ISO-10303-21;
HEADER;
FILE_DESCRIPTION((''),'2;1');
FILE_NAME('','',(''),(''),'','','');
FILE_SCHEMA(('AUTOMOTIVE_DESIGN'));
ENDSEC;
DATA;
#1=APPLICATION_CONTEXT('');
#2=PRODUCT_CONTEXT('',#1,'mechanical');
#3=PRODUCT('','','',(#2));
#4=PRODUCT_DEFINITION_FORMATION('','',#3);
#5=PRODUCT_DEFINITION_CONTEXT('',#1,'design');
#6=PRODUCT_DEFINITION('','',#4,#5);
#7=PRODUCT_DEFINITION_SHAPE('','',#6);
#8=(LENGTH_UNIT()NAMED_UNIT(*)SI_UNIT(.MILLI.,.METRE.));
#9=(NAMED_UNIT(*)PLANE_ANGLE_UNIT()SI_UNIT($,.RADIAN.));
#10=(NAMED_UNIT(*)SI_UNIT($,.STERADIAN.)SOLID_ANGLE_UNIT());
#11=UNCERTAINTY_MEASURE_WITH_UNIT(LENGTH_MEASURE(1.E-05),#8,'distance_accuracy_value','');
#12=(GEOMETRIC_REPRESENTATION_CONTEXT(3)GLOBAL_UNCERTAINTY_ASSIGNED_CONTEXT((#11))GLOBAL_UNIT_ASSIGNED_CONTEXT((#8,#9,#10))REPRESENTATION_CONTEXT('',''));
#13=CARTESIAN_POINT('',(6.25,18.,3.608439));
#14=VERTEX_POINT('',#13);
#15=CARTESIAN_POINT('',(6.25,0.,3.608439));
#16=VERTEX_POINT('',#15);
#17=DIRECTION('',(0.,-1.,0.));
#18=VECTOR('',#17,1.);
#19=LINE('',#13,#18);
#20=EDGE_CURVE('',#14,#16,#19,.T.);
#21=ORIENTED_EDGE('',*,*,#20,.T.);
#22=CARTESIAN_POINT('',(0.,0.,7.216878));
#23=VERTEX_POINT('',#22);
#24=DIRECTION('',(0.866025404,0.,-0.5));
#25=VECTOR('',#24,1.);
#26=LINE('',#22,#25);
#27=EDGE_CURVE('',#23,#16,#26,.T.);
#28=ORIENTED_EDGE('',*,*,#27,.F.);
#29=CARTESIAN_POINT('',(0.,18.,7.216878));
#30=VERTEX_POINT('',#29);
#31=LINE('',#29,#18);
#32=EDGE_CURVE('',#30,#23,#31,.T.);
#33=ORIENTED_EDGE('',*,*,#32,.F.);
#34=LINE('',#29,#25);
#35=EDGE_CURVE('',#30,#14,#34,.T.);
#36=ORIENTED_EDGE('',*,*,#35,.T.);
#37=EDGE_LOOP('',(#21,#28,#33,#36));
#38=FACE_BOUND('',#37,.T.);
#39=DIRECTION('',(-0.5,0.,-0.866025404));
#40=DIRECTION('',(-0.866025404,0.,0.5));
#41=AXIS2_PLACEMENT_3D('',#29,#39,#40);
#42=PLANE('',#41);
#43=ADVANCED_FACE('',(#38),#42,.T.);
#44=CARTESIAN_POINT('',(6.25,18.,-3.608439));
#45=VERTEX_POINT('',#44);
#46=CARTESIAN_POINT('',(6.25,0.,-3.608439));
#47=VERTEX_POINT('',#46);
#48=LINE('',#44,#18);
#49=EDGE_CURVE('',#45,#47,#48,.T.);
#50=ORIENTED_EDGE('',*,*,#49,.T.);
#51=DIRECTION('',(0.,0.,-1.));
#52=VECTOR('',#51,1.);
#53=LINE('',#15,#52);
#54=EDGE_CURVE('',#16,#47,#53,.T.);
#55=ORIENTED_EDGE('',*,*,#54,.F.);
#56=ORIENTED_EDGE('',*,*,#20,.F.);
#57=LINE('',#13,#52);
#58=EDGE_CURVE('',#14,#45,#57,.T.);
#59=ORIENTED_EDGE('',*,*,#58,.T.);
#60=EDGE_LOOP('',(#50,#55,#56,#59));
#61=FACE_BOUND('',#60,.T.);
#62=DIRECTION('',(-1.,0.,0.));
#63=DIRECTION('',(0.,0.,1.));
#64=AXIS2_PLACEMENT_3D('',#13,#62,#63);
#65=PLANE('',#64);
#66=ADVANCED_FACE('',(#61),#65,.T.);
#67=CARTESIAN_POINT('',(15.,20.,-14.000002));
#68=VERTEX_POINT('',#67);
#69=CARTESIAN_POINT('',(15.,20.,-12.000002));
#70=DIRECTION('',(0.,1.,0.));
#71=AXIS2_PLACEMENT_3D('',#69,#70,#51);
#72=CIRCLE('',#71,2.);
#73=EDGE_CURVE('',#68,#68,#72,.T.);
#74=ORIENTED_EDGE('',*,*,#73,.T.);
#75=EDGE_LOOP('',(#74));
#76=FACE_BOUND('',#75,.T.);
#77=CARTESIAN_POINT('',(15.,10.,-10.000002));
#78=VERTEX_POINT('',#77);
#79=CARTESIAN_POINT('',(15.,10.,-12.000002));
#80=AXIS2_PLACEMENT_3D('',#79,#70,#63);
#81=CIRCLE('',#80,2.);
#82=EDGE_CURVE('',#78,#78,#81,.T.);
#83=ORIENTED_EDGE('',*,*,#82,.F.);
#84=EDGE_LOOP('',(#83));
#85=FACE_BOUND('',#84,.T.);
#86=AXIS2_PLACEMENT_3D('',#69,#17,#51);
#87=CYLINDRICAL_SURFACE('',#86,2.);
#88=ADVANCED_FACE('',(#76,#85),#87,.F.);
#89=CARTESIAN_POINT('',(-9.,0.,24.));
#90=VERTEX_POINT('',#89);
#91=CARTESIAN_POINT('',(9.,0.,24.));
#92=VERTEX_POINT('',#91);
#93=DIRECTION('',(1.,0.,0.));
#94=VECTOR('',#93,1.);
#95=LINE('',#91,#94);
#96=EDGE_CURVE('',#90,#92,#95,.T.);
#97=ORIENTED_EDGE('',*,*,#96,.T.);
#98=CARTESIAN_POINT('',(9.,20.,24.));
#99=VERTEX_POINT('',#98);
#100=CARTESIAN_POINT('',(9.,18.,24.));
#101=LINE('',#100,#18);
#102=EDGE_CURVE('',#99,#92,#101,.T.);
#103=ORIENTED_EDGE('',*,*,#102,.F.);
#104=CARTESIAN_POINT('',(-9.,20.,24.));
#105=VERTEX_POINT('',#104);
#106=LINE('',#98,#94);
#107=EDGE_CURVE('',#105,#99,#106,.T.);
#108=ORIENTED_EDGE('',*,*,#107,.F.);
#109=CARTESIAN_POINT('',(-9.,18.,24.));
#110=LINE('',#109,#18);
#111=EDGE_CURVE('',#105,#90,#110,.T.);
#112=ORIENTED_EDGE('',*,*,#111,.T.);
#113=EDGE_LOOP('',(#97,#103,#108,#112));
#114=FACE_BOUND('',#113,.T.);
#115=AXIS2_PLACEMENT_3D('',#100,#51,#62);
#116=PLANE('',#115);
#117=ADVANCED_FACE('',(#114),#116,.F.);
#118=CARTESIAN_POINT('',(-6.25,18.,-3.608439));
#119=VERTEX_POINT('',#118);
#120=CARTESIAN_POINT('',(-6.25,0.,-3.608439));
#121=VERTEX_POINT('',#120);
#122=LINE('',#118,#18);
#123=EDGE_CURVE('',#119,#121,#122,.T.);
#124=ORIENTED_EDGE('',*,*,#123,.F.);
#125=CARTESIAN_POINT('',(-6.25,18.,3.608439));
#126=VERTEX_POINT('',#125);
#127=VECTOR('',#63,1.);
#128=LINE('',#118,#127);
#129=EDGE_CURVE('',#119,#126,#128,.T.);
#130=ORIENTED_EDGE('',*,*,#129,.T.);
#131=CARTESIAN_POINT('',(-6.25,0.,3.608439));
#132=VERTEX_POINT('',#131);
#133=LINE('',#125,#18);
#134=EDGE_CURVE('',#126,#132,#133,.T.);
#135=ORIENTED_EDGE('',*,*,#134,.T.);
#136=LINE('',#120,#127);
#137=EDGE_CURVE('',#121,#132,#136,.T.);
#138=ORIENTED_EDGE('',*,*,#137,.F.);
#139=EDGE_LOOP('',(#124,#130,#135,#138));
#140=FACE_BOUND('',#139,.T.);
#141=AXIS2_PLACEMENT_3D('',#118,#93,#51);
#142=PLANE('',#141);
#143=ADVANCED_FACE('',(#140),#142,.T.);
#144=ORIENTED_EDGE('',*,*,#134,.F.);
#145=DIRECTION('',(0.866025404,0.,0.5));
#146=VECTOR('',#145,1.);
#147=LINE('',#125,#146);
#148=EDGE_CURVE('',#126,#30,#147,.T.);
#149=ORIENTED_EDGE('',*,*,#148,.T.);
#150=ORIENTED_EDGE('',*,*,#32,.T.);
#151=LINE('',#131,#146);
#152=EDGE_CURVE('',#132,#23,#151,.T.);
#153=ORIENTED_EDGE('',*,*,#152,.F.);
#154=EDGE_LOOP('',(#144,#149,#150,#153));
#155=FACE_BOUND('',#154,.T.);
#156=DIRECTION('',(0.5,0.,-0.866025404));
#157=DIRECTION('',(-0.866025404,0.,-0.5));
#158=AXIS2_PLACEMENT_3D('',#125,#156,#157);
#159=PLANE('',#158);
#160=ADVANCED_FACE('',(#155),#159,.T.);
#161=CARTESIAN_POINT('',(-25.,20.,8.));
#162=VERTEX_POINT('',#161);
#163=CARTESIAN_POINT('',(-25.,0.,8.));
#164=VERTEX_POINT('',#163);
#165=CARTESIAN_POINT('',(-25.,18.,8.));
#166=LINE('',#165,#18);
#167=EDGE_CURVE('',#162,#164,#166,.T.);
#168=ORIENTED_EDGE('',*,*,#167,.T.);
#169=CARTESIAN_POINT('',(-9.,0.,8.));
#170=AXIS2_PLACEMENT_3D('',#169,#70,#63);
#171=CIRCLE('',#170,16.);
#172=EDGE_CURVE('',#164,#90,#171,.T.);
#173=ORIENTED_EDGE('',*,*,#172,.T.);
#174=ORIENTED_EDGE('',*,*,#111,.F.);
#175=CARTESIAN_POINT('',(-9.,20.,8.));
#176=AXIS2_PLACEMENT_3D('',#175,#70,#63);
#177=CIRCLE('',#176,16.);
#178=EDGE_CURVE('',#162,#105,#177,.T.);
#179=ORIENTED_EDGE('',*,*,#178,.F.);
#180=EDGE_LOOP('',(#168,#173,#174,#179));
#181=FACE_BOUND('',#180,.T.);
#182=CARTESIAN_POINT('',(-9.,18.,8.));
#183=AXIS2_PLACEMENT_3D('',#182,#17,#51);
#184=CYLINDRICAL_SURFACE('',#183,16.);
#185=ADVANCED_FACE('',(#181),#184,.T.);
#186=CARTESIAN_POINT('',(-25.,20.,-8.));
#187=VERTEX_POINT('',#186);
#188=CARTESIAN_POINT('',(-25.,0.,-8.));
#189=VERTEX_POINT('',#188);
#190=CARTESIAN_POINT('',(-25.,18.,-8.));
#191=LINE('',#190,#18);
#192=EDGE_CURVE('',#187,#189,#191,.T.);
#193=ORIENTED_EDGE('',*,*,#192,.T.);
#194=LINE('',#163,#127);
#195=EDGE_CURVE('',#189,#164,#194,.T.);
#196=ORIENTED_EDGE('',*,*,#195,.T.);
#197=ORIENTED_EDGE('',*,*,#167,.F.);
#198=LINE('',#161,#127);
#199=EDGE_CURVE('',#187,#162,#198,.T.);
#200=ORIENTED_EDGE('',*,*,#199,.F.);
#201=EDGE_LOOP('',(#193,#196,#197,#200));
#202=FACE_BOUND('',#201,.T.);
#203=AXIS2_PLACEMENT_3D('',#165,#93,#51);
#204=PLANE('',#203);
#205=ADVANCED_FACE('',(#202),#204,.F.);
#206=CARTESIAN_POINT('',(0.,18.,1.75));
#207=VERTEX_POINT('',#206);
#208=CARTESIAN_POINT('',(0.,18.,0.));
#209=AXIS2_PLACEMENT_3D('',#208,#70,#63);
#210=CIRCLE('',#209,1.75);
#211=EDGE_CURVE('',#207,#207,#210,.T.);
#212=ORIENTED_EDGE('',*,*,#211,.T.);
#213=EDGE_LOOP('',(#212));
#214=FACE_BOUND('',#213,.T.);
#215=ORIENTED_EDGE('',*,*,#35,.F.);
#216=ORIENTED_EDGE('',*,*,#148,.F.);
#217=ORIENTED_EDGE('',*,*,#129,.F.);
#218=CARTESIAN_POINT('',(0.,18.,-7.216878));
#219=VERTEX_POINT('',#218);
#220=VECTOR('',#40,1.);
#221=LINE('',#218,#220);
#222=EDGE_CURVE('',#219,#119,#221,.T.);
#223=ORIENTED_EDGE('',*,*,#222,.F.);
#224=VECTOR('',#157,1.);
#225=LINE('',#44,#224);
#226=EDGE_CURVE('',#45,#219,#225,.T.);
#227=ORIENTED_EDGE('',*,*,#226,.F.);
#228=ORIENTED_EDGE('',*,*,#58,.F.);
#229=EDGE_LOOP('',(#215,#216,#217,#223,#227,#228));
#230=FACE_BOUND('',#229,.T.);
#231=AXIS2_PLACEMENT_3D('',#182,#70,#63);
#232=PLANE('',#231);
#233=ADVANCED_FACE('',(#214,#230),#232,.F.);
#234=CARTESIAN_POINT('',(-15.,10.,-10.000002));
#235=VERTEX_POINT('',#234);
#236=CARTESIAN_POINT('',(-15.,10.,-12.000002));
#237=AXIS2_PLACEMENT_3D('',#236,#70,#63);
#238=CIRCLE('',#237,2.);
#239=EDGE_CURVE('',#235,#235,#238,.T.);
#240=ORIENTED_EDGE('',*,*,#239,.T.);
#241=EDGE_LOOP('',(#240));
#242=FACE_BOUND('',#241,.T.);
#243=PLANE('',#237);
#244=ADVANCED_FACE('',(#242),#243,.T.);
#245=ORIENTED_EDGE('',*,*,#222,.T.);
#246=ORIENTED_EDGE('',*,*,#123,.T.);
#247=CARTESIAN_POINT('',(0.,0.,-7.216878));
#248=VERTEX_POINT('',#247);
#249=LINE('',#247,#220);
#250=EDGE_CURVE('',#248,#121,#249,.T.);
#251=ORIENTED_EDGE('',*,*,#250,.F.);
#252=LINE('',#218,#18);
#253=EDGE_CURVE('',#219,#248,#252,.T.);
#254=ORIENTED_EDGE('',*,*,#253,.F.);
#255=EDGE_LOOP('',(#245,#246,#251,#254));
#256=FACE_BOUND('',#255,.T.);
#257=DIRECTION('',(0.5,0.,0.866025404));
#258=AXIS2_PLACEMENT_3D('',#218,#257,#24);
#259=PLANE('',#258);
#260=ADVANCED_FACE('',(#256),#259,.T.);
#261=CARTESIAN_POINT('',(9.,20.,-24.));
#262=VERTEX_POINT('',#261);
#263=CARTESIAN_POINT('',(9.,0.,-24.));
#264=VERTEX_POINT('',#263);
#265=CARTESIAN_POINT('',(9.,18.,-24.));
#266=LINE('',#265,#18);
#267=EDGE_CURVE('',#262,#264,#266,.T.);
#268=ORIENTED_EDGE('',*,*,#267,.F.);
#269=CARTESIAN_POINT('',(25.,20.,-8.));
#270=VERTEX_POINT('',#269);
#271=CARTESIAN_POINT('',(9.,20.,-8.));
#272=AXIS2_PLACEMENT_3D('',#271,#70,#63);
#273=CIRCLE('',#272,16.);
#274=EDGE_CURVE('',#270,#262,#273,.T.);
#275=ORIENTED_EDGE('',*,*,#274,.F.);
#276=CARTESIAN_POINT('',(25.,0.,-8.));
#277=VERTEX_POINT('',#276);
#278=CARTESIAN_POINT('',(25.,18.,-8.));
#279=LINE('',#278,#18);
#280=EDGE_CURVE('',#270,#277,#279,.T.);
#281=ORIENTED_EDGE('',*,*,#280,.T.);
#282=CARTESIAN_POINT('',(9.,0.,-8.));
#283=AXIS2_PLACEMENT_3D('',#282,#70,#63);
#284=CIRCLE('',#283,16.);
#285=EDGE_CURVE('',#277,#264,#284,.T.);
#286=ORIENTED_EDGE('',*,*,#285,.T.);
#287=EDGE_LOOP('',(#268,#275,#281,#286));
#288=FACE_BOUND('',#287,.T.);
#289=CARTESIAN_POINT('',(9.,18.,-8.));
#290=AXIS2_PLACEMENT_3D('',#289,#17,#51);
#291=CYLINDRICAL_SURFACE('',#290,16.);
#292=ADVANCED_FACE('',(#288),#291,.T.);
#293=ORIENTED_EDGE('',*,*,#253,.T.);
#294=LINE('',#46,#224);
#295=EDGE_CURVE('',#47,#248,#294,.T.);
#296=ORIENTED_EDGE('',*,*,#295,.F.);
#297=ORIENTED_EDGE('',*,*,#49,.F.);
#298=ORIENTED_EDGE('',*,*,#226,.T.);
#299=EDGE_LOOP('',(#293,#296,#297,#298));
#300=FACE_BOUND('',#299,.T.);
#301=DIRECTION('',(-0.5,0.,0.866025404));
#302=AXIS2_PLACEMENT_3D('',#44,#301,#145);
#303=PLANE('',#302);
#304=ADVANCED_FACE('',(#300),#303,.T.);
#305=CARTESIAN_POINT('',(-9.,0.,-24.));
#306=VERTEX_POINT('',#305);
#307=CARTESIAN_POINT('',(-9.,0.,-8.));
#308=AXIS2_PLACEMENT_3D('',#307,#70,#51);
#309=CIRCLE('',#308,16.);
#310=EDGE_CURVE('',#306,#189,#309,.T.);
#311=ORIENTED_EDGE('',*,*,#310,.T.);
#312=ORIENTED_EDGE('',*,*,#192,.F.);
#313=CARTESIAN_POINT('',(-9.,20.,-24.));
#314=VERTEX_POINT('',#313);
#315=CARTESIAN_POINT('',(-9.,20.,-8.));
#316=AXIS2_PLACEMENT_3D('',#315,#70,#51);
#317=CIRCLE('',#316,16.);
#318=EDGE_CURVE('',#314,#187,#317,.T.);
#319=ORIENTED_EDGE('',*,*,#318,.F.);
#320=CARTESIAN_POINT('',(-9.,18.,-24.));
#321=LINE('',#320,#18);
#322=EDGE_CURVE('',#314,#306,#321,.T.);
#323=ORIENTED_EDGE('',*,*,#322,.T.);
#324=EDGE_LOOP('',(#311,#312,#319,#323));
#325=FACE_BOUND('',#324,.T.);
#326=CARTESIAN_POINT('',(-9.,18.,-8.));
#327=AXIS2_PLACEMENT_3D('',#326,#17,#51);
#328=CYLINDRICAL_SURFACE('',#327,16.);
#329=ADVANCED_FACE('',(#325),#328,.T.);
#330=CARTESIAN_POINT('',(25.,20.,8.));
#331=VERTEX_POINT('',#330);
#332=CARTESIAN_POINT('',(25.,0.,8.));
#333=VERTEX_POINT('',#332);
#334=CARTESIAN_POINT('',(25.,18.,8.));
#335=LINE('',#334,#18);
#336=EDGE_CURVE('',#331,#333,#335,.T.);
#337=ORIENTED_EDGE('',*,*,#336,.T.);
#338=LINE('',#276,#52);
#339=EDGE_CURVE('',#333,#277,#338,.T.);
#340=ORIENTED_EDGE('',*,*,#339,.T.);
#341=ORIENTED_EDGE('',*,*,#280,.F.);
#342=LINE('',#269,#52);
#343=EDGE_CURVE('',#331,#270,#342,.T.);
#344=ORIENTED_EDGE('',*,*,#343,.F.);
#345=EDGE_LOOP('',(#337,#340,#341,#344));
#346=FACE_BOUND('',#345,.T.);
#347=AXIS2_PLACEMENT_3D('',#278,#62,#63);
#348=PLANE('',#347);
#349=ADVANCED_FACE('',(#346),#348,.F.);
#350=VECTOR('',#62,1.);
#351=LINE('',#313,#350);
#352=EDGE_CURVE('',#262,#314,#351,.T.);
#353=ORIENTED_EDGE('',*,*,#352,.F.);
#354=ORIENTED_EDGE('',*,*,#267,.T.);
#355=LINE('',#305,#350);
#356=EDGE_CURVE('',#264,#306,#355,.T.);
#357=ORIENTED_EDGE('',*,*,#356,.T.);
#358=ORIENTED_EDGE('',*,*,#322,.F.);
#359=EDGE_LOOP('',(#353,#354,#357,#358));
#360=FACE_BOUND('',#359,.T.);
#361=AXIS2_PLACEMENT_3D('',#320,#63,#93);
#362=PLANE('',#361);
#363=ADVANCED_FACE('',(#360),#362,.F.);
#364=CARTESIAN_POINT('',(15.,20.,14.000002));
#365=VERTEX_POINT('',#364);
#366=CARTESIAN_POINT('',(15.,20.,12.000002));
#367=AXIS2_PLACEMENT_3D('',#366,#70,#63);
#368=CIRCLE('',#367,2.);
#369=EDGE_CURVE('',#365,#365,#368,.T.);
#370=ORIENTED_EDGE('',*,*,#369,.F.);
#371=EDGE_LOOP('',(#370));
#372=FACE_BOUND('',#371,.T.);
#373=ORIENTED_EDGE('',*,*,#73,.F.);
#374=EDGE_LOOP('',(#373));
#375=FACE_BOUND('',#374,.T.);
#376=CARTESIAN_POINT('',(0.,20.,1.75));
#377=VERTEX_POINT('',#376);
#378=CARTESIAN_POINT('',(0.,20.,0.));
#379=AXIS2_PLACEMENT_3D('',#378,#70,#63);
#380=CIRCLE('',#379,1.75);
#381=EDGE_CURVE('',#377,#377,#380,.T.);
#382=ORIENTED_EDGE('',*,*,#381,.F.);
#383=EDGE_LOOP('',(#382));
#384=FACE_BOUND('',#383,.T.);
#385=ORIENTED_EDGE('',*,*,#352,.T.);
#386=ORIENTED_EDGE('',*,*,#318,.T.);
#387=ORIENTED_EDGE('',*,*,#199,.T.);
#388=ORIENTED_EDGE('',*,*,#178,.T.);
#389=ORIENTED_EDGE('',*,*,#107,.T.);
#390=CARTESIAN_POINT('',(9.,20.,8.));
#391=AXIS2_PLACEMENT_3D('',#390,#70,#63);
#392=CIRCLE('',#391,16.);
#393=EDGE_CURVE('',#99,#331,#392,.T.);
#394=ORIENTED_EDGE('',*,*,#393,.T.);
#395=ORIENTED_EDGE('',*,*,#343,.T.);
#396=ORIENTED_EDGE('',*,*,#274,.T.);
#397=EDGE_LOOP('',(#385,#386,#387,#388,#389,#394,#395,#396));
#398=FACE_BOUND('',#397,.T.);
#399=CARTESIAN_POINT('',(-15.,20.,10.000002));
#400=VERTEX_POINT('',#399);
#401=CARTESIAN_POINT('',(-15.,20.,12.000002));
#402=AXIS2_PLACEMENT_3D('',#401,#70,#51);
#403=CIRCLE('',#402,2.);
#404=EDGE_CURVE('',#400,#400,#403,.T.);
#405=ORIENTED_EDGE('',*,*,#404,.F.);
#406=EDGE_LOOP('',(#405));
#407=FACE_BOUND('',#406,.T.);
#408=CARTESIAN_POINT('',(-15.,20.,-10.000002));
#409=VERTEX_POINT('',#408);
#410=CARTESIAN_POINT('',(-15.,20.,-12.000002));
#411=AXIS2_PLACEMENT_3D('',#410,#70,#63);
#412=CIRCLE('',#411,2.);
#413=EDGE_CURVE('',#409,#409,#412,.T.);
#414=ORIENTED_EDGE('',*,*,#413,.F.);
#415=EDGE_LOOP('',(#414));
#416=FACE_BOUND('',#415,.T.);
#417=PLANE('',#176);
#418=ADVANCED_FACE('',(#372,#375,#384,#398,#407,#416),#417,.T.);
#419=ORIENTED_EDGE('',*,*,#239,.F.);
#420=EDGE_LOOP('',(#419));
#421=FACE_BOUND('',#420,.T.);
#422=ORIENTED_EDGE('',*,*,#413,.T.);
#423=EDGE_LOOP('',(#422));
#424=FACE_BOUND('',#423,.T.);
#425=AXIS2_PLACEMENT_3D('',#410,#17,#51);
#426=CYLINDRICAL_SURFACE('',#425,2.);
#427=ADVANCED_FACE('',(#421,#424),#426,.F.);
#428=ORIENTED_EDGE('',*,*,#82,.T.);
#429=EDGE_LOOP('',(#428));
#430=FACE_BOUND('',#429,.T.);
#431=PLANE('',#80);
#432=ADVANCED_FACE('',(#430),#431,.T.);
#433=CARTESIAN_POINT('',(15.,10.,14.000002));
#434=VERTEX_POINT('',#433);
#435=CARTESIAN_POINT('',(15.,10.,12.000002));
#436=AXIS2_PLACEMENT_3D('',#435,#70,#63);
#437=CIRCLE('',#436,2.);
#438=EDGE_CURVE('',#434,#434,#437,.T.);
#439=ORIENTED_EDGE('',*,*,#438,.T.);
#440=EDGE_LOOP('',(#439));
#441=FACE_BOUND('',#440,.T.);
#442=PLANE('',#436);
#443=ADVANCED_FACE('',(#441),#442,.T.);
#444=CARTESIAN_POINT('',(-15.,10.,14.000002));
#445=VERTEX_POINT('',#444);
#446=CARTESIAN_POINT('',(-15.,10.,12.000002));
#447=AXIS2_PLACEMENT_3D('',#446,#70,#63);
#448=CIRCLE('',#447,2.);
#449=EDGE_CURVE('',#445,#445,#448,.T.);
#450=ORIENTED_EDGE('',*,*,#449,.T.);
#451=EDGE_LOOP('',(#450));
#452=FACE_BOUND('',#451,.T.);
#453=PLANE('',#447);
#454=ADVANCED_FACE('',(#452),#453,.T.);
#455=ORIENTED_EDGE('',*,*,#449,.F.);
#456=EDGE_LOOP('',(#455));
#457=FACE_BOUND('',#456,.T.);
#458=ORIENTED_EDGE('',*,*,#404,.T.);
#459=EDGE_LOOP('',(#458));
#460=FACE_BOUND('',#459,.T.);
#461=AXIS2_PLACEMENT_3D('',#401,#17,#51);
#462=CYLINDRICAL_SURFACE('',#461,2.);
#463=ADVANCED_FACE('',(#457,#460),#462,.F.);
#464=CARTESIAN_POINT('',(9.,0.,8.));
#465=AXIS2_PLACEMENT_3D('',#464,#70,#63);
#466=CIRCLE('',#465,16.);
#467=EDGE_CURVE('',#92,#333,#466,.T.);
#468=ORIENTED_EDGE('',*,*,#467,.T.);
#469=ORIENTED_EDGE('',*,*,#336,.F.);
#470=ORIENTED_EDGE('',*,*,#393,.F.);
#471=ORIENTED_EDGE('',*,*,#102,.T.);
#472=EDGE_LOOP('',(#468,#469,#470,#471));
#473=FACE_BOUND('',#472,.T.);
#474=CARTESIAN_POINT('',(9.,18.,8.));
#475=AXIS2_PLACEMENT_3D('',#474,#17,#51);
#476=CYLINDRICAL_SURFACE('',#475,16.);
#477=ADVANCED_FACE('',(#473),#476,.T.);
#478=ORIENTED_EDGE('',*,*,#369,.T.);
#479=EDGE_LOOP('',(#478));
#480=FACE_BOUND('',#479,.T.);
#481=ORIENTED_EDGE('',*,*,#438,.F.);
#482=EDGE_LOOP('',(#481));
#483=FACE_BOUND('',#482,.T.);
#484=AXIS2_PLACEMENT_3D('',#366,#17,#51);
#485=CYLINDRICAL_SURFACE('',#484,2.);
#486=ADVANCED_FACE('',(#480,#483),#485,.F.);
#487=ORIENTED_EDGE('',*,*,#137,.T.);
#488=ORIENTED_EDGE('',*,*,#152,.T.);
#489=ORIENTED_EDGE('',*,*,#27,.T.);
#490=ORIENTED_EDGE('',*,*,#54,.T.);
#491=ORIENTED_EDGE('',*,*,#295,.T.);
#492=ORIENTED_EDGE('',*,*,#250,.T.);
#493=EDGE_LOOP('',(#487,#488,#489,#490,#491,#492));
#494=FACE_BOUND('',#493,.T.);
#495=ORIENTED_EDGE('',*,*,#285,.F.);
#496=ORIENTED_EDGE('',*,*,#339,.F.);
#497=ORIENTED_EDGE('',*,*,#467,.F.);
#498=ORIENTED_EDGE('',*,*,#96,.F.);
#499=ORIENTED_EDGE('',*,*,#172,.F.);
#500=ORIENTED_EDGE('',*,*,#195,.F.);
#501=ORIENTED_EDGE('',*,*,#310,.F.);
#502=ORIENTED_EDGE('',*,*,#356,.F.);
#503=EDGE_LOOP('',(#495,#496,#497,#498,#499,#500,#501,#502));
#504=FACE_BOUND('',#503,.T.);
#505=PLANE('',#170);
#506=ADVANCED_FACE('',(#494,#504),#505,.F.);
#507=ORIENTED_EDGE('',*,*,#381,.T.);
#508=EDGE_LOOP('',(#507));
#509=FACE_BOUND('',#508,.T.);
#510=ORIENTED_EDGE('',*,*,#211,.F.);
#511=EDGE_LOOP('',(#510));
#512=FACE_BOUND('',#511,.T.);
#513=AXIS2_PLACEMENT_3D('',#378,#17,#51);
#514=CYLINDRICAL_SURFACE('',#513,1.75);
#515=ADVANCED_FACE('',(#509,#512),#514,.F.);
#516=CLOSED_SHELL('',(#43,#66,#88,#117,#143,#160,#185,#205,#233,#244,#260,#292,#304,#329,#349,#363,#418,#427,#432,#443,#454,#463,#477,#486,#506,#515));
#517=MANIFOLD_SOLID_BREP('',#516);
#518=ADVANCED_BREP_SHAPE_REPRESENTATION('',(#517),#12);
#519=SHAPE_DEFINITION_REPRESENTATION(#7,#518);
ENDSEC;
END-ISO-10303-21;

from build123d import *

# Parameters (mm, degrees)
BOSS_EXTRUDE1_DEPTH = 18
SKETCH2_R           = 2
SKETCH2_R_2         = 1.75
BOSS_EXTRUDE3_DEPTH = 2
CUT_EXTRUDE1_START  = -10
SKETCH3_R           = 2
CUT_EXTRUDE1_DEPTH  = 10


with BuildPart() as part:
    # Sketch1 → Boss-Extrude1 (new body)
    with BuildSketch(Plane(origin=(0, 0, 0), x_dir=(1, 0, 0), z_dir=(0, 1, 0))):
        with BuildLine():
            Line((-9.000000373, 24.000000209), (9.000000373, 24.000000209))
            ThreePointArc((9.000000373, 24.000000209), (20.313708872, 19.313708708), (25.000000373, 8.000000209))
            Line((25.000000373, 8.000000209), (25.000000373, -8.000000209))
            ThreePointArc((25.000000373, -8.000000209), (20.313708872, -19.313708708), (9.000000373, -24.000000209))
            Line((9.000000373, -24.000000209), (-9.000000373, -24.000000209))
            ThreePointArc((-9.000000373, -24.000000209), (-20.313708872, -19.313708708), (-25.000000373, -8.000000209))
            Line((-25.000000373, -8.000000209), (-25.000000373, 8.000000209))
            ThreePointArc((-25.000000373, 8.000000209), (-20.313708872, 19.313708708), (-9.000000373, 24.000000209))
        make_face()
        Polygon((0, 7.216878365), (-6.25, 3.608439182), (-6.25, -3.608439182), (0, -7.216878365), (6.25, -3.608439182), (6.25, 3.608439182), align=None, mode=Mode.SUBTRACT)
    extrude(amount=BOSS_EXTRUDE1_DEPTH)

    # Sketch2 → Boss-Extrude3 (add)
    with BuildSketch(Plane(origin=(0, 18, 0), x_dir=(1, 0, 0), z_dir=(0, 1, 0))):
        with BuildLine():
            Line((-9.000000373, 24.000000209), (9.000000373, 24.000000209))
            ThreePointArc((9.000000373, 24.000000209), (20.313708872, 19.313708708), (25.000000373, 8.000000209))
            Line((25.000000373, 8.000000209), (25.000000373, -8.000000209))
            ThreePointArc((25.000000373, -8.000000209), (20.313708872, -19.313708708), (9.000000373, -24.000000209))
            Line((9.000000373, -24.000000209), (-9.000000373, -24.000000209))
            ThreePointArc((-9.000000373, -24.000000209), (-20.313708872, -19.313708708), (-25.000000373, -8.000000209))
            Line((-25.000000373, -8.000000209), (-25.000000373, 8.000000209))
            ThreePointArc((-25.000000373, 8.000000209), (-20.313708872, 19.313708708), (-9.000000373, 24.000000209))
        make_face()
        with Locations(Location((-14.999999943, 12.000001696, 0), (0, 0, 270))):
            Circle(SKETCH2_R, mode=Mode.SUBTRACT)
        with Locations(Location((14.999999943, 12.000001696, 0), (0, 0, 90))):
            Circle(SKETCH2_R, mode=Mode.SUBTRACT)
        with Locations(Location((14.999999943, -12.000001696, 0), (0, 0, 270))):
            Circle(SKETCH2_R, mode=Mode.SUBTRACT)
        with Locations(Location((-14.999999943, -12.000001696, 0), (0, 0, 90))):
            Circle(SKETCH2_R, mode=Mode.SUBTRACT)
        with Locations(Location((0, 0, 0), (0, 0, 270))):
            Circle(SKETCH2_R_2, mode=Mode.SUBTRACT)
    extrude(amount=BOSS_EXTRUDE3_DEPTH)

    # Sketch3 → Cut-Extrude1 (cut)
    with BuildSketch(Plane(origin=(0, 20, 0), x_dir=(1, 0, 0), z_dir=(0, 1, 0)).offset(CUT_EXTRUDE1_START)):
        with Locations(Location((-14.999999943, 12.000001696, 0), (0, 0, 270))):
            Circle(SKETCH3_R)
        with Locations(Location((14.999999943, 12.000001696, 0), (0, 0, 90))):
            Circle(SKETCH3_R)
        with Locations(Location((14.999999943, -12.000001696, 0), (0, 0, 270))):
            Circle(SKETCH3_R)
        with Locations(Location((-14.999999943, -12.000001696, 0), (0, 0, 90))):
            Circle(SKETCH3_R)
    extrude(amount=CUT_EXTRUDE1_DEPTH, mode=Mode.SUBTRACT)


solid = part.part
